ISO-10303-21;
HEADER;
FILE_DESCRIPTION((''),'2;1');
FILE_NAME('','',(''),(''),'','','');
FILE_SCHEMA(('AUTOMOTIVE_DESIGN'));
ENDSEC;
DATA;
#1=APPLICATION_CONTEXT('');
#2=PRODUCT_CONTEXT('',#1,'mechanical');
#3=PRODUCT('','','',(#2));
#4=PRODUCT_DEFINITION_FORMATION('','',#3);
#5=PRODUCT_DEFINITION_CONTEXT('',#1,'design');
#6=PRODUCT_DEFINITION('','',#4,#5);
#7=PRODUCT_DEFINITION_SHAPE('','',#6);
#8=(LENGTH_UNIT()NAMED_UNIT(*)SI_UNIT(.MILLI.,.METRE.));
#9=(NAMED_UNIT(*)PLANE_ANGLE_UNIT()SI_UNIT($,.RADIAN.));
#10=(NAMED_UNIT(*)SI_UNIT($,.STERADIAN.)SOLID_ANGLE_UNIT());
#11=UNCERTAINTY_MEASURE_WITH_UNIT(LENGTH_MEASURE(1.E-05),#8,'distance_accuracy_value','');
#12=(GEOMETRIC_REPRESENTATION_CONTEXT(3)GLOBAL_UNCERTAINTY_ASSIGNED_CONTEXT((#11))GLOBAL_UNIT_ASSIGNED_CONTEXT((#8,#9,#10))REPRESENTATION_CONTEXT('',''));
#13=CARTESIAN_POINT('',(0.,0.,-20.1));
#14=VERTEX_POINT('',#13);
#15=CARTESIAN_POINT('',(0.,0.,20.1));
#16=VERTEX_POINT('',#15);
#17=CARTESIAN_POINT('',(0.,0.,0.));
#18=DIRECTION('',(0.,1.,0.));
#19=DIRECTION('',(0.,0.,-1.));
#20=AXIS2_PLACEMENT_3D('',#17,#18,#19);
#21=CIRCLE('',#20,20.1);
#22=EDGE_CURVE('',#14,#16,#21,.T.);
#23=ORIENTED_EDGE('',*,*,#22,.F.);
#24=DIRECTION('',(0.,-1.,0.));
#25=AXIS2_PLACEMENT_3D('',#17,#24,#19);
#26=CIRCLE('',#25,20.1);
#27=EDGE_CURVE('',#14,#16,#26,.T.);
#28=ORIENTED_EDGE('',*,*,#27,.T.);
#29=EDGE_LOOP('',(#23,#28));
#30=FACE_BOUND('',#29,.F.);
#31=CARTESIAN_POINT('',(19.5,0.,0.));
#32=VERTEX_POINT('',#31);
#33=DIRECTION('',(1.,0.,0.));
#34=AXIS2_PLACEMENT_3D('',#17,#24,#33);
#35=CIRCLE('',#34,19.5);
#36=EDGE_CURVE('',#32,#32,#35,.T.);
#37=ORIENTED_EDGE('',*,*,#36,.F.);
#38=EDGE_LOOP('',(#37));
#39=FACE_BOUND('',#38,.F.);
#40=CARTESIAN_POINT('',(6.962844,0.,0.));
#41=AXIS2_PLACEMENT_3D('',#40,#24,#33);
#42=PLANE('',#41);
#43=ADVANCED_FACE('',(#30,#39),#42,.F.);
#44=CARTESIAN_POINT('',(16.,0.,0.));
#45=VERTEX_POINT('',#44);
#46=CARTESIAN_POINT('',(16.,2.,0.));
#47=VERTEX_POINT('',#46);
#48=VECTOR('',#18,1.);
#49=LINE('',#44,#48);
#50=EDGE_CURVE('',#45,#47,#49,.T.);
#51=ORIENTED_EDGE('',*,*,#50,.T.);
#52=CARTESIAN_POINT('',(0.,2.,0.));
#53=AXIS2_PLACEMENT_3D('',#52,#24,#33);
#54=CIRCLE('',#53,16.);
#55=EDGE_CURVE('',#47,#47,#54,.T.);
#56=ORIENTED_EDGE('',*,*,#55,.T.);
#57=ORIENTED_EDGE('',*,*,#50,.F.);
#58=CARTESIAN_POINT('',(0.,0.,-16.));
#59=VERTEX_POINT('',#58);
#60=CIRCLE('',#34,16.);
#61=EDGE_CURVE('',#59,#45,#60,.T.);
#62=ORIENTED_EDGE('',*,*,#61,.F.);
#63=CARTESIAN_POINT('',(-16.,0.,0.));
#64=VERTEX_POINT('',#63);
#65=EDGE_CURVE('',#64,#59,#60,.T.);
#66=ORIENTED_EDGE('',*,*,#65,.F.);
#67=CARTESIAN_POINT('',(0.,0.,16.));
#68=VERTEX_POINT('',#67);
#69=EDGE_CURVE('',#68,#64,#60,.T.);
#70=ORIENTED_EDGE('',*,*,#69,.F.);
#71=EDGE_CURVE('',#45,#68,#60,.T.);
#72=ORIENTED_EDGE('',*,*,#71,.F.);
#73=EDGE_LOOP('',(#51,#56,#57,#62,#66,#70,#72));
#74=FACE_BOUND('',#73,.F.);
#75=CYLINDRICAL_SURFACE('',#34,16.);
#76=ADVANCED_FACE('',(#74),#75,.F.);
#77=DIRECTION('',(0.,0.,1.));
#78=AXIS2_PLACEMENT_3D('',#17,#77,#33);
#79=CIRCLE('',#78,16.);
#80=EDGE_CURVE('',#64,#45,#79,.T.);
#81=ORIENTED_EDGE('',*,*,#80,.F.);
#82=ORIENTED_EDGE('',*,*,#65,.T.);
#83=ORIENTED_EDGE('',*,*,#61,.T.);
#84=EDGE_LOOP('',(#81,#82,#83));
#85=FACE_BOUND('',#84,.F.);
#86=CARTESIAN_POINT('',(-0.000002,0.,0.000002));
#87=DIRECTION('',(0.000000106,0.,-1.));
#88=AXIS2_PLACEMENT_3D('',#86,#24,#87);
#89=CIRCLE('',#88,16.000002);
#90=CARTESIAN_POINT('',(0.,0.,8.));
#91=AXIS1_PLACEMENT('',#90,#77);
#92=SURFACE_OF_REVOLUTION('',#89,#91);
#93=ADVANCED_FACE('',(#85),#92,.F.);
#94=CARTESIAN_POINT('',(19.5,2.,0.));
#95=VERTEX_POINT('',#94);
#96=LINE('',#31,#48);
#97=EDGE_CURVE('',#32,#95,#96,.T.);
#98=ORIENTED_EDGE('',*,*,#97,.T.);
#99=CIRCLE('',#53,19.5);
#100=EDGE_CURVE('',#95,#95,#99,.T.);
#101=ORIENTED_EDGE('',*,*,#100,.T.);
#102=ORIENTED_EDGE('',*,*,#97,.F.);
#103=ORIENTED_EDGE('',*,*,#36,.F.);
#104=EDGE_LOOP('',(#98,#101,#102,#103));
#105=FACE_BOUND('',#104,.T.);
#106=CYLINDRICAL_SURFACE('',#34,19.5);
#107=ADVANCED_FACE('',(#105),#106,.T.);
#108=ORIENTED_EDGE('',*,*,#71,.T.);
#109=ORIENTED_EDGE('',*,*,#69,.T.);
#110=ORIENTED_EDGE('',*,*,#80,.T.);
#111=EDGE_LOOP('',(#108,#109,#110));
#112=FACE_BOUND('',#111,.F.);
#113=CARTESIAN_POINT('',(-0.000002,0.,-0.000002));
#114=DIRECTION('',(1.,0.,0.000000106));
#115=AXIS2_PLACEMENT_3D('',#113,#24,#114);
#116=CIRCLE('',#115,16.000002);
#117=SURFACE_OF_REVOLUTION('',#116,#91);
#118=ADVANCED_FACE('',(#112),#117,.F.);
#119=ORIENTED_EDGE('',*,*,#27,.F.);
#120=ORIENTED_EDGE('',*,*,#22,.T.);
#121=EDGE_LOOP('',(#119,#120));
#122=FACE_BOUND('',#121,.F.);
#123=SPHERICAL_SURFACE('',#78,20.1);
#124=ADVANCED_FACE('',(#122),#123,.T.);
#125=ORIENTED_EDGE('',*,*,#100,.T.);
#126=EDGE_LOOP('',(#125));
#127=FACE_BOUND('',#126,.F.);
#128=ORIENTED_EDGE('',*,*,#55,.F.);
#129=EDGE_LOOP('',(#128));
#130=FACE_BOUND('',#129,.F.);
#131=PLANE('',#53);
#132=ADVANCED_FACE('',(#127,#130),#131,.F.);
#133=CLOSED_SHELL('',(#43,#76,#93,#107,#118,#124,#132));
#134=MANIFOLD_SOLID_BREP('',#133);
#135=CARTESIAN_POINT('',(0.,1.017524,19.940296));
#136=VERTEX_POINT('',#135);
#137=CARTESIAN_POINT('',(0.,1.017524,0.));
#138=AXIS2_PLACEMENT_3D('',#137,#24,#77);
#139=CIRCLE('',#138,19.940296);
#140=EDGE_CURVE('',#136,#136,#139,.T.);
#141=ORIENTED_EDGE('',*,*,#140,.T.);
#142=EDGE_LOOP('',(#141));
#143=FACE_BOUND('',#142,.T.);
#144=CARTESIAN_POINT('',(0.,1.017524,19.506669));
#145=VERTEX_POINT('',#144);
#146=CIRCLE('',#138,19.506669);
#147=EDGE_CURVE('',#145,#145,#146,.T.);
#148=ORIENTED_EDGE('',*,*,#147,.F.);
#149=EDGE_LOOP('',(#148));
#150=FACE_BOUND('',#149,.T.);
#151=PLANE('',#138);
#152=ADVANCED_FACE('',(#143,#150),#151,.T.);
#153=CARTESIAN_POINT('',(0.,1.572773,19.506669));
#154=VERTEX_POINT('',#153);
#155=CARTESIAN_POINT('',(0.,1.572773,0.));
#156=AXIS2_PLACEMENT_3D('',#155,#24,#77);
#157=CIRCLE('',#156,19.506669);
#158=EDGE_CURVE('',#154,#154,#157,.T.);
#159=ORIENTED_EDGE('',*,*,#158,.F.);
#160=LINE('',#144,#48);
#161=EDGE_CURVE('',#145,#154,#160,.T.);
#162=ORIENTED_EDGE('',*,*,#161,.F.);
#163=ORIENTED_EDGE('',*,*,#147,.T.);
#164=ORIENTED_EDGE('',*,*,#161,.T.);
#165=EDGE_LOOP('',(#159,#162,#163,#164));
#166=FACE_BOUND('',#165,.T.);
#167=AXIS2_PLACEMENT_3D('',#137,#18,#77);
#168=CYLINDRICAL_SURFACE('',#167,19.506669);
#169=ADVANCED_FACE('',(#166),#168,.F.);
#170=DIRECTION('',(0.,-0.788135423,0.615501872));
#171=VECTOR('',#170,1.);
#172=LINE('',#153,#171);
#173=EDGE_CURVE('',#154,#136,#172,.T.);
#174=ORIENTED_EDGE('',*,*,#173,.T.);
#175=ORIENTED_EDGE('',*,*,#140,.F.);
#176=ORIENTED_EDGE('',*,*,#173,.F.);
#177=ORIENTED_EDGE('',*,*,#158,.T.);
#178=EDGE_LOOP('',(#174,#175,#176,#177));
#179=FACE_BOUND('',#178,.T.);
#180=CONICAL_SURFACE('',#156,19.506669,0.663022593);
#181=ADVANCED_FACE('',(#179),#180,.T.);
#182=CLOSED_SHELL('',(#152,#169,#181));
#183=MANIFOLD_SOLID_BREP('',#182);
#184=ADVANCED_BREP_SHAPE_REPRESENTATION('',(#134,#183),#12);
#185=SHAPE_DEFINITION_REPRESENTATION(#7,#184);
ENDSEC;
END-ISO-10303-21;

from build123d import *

# Parameters (mm, degrees)
F1_ANGLE = 180
F3_R     = 19.5
F3_R_2   = 16
F4_DEPTH = 2


with BuildPart() as f1:
    # F0 (on Front) → F1 (revolve)
    with BuildSketch(Plane.XZ):
        with BuildLine():
            ThreePointArc((0, -20.1), (20.1, 0), (0, 20.1))
            Line((0, 20.1), (0, -20.1))
        make_face()
    revolve(axis=Axis((0, 0, 0), (0, 0, -1)), revolution_arc=F1_ANGLE)

    # F3 (on Front) → F4 (join)
    with BuildSketch(Plane.XZ):
        Circle(F3_R)
        Circle(F3_R_2, mode=Mode.SUBTRACT)
    extrude(amount=-F4_DEPTH)

    # F2 (on Front) → F7 (revolve, cut)
    with BuildSketch(Plane.XZ):
        with BuildLine():
            ThreePointArc((16, 0), (11.313708, 11.313708), (0, 16))
            Line((0, 16), (0, 0))
            Line((0, 0), (0, -16))
            ThreePointArc((0, -16), (11.313708, -11.313708), (16, 0))
        make_face()
    revolve(axis=Axis((0, 0, 8), (0, 0, 1)), mode=Mode.SUBTRACT)


with BuildPart() as f6:
    # F5 (on Right) → F6 (revolve)
    with BuildSketch(Plane.YZ):
        Polygon((1.017524, 19.506669), (1.572773, 19.506669), (1.017524, 19.940296), align=None)
    revolve(axis=Axis((0, -5.369565, 0), (0, -1, 0)))


solid = Compound([f1.part, f6.part])
